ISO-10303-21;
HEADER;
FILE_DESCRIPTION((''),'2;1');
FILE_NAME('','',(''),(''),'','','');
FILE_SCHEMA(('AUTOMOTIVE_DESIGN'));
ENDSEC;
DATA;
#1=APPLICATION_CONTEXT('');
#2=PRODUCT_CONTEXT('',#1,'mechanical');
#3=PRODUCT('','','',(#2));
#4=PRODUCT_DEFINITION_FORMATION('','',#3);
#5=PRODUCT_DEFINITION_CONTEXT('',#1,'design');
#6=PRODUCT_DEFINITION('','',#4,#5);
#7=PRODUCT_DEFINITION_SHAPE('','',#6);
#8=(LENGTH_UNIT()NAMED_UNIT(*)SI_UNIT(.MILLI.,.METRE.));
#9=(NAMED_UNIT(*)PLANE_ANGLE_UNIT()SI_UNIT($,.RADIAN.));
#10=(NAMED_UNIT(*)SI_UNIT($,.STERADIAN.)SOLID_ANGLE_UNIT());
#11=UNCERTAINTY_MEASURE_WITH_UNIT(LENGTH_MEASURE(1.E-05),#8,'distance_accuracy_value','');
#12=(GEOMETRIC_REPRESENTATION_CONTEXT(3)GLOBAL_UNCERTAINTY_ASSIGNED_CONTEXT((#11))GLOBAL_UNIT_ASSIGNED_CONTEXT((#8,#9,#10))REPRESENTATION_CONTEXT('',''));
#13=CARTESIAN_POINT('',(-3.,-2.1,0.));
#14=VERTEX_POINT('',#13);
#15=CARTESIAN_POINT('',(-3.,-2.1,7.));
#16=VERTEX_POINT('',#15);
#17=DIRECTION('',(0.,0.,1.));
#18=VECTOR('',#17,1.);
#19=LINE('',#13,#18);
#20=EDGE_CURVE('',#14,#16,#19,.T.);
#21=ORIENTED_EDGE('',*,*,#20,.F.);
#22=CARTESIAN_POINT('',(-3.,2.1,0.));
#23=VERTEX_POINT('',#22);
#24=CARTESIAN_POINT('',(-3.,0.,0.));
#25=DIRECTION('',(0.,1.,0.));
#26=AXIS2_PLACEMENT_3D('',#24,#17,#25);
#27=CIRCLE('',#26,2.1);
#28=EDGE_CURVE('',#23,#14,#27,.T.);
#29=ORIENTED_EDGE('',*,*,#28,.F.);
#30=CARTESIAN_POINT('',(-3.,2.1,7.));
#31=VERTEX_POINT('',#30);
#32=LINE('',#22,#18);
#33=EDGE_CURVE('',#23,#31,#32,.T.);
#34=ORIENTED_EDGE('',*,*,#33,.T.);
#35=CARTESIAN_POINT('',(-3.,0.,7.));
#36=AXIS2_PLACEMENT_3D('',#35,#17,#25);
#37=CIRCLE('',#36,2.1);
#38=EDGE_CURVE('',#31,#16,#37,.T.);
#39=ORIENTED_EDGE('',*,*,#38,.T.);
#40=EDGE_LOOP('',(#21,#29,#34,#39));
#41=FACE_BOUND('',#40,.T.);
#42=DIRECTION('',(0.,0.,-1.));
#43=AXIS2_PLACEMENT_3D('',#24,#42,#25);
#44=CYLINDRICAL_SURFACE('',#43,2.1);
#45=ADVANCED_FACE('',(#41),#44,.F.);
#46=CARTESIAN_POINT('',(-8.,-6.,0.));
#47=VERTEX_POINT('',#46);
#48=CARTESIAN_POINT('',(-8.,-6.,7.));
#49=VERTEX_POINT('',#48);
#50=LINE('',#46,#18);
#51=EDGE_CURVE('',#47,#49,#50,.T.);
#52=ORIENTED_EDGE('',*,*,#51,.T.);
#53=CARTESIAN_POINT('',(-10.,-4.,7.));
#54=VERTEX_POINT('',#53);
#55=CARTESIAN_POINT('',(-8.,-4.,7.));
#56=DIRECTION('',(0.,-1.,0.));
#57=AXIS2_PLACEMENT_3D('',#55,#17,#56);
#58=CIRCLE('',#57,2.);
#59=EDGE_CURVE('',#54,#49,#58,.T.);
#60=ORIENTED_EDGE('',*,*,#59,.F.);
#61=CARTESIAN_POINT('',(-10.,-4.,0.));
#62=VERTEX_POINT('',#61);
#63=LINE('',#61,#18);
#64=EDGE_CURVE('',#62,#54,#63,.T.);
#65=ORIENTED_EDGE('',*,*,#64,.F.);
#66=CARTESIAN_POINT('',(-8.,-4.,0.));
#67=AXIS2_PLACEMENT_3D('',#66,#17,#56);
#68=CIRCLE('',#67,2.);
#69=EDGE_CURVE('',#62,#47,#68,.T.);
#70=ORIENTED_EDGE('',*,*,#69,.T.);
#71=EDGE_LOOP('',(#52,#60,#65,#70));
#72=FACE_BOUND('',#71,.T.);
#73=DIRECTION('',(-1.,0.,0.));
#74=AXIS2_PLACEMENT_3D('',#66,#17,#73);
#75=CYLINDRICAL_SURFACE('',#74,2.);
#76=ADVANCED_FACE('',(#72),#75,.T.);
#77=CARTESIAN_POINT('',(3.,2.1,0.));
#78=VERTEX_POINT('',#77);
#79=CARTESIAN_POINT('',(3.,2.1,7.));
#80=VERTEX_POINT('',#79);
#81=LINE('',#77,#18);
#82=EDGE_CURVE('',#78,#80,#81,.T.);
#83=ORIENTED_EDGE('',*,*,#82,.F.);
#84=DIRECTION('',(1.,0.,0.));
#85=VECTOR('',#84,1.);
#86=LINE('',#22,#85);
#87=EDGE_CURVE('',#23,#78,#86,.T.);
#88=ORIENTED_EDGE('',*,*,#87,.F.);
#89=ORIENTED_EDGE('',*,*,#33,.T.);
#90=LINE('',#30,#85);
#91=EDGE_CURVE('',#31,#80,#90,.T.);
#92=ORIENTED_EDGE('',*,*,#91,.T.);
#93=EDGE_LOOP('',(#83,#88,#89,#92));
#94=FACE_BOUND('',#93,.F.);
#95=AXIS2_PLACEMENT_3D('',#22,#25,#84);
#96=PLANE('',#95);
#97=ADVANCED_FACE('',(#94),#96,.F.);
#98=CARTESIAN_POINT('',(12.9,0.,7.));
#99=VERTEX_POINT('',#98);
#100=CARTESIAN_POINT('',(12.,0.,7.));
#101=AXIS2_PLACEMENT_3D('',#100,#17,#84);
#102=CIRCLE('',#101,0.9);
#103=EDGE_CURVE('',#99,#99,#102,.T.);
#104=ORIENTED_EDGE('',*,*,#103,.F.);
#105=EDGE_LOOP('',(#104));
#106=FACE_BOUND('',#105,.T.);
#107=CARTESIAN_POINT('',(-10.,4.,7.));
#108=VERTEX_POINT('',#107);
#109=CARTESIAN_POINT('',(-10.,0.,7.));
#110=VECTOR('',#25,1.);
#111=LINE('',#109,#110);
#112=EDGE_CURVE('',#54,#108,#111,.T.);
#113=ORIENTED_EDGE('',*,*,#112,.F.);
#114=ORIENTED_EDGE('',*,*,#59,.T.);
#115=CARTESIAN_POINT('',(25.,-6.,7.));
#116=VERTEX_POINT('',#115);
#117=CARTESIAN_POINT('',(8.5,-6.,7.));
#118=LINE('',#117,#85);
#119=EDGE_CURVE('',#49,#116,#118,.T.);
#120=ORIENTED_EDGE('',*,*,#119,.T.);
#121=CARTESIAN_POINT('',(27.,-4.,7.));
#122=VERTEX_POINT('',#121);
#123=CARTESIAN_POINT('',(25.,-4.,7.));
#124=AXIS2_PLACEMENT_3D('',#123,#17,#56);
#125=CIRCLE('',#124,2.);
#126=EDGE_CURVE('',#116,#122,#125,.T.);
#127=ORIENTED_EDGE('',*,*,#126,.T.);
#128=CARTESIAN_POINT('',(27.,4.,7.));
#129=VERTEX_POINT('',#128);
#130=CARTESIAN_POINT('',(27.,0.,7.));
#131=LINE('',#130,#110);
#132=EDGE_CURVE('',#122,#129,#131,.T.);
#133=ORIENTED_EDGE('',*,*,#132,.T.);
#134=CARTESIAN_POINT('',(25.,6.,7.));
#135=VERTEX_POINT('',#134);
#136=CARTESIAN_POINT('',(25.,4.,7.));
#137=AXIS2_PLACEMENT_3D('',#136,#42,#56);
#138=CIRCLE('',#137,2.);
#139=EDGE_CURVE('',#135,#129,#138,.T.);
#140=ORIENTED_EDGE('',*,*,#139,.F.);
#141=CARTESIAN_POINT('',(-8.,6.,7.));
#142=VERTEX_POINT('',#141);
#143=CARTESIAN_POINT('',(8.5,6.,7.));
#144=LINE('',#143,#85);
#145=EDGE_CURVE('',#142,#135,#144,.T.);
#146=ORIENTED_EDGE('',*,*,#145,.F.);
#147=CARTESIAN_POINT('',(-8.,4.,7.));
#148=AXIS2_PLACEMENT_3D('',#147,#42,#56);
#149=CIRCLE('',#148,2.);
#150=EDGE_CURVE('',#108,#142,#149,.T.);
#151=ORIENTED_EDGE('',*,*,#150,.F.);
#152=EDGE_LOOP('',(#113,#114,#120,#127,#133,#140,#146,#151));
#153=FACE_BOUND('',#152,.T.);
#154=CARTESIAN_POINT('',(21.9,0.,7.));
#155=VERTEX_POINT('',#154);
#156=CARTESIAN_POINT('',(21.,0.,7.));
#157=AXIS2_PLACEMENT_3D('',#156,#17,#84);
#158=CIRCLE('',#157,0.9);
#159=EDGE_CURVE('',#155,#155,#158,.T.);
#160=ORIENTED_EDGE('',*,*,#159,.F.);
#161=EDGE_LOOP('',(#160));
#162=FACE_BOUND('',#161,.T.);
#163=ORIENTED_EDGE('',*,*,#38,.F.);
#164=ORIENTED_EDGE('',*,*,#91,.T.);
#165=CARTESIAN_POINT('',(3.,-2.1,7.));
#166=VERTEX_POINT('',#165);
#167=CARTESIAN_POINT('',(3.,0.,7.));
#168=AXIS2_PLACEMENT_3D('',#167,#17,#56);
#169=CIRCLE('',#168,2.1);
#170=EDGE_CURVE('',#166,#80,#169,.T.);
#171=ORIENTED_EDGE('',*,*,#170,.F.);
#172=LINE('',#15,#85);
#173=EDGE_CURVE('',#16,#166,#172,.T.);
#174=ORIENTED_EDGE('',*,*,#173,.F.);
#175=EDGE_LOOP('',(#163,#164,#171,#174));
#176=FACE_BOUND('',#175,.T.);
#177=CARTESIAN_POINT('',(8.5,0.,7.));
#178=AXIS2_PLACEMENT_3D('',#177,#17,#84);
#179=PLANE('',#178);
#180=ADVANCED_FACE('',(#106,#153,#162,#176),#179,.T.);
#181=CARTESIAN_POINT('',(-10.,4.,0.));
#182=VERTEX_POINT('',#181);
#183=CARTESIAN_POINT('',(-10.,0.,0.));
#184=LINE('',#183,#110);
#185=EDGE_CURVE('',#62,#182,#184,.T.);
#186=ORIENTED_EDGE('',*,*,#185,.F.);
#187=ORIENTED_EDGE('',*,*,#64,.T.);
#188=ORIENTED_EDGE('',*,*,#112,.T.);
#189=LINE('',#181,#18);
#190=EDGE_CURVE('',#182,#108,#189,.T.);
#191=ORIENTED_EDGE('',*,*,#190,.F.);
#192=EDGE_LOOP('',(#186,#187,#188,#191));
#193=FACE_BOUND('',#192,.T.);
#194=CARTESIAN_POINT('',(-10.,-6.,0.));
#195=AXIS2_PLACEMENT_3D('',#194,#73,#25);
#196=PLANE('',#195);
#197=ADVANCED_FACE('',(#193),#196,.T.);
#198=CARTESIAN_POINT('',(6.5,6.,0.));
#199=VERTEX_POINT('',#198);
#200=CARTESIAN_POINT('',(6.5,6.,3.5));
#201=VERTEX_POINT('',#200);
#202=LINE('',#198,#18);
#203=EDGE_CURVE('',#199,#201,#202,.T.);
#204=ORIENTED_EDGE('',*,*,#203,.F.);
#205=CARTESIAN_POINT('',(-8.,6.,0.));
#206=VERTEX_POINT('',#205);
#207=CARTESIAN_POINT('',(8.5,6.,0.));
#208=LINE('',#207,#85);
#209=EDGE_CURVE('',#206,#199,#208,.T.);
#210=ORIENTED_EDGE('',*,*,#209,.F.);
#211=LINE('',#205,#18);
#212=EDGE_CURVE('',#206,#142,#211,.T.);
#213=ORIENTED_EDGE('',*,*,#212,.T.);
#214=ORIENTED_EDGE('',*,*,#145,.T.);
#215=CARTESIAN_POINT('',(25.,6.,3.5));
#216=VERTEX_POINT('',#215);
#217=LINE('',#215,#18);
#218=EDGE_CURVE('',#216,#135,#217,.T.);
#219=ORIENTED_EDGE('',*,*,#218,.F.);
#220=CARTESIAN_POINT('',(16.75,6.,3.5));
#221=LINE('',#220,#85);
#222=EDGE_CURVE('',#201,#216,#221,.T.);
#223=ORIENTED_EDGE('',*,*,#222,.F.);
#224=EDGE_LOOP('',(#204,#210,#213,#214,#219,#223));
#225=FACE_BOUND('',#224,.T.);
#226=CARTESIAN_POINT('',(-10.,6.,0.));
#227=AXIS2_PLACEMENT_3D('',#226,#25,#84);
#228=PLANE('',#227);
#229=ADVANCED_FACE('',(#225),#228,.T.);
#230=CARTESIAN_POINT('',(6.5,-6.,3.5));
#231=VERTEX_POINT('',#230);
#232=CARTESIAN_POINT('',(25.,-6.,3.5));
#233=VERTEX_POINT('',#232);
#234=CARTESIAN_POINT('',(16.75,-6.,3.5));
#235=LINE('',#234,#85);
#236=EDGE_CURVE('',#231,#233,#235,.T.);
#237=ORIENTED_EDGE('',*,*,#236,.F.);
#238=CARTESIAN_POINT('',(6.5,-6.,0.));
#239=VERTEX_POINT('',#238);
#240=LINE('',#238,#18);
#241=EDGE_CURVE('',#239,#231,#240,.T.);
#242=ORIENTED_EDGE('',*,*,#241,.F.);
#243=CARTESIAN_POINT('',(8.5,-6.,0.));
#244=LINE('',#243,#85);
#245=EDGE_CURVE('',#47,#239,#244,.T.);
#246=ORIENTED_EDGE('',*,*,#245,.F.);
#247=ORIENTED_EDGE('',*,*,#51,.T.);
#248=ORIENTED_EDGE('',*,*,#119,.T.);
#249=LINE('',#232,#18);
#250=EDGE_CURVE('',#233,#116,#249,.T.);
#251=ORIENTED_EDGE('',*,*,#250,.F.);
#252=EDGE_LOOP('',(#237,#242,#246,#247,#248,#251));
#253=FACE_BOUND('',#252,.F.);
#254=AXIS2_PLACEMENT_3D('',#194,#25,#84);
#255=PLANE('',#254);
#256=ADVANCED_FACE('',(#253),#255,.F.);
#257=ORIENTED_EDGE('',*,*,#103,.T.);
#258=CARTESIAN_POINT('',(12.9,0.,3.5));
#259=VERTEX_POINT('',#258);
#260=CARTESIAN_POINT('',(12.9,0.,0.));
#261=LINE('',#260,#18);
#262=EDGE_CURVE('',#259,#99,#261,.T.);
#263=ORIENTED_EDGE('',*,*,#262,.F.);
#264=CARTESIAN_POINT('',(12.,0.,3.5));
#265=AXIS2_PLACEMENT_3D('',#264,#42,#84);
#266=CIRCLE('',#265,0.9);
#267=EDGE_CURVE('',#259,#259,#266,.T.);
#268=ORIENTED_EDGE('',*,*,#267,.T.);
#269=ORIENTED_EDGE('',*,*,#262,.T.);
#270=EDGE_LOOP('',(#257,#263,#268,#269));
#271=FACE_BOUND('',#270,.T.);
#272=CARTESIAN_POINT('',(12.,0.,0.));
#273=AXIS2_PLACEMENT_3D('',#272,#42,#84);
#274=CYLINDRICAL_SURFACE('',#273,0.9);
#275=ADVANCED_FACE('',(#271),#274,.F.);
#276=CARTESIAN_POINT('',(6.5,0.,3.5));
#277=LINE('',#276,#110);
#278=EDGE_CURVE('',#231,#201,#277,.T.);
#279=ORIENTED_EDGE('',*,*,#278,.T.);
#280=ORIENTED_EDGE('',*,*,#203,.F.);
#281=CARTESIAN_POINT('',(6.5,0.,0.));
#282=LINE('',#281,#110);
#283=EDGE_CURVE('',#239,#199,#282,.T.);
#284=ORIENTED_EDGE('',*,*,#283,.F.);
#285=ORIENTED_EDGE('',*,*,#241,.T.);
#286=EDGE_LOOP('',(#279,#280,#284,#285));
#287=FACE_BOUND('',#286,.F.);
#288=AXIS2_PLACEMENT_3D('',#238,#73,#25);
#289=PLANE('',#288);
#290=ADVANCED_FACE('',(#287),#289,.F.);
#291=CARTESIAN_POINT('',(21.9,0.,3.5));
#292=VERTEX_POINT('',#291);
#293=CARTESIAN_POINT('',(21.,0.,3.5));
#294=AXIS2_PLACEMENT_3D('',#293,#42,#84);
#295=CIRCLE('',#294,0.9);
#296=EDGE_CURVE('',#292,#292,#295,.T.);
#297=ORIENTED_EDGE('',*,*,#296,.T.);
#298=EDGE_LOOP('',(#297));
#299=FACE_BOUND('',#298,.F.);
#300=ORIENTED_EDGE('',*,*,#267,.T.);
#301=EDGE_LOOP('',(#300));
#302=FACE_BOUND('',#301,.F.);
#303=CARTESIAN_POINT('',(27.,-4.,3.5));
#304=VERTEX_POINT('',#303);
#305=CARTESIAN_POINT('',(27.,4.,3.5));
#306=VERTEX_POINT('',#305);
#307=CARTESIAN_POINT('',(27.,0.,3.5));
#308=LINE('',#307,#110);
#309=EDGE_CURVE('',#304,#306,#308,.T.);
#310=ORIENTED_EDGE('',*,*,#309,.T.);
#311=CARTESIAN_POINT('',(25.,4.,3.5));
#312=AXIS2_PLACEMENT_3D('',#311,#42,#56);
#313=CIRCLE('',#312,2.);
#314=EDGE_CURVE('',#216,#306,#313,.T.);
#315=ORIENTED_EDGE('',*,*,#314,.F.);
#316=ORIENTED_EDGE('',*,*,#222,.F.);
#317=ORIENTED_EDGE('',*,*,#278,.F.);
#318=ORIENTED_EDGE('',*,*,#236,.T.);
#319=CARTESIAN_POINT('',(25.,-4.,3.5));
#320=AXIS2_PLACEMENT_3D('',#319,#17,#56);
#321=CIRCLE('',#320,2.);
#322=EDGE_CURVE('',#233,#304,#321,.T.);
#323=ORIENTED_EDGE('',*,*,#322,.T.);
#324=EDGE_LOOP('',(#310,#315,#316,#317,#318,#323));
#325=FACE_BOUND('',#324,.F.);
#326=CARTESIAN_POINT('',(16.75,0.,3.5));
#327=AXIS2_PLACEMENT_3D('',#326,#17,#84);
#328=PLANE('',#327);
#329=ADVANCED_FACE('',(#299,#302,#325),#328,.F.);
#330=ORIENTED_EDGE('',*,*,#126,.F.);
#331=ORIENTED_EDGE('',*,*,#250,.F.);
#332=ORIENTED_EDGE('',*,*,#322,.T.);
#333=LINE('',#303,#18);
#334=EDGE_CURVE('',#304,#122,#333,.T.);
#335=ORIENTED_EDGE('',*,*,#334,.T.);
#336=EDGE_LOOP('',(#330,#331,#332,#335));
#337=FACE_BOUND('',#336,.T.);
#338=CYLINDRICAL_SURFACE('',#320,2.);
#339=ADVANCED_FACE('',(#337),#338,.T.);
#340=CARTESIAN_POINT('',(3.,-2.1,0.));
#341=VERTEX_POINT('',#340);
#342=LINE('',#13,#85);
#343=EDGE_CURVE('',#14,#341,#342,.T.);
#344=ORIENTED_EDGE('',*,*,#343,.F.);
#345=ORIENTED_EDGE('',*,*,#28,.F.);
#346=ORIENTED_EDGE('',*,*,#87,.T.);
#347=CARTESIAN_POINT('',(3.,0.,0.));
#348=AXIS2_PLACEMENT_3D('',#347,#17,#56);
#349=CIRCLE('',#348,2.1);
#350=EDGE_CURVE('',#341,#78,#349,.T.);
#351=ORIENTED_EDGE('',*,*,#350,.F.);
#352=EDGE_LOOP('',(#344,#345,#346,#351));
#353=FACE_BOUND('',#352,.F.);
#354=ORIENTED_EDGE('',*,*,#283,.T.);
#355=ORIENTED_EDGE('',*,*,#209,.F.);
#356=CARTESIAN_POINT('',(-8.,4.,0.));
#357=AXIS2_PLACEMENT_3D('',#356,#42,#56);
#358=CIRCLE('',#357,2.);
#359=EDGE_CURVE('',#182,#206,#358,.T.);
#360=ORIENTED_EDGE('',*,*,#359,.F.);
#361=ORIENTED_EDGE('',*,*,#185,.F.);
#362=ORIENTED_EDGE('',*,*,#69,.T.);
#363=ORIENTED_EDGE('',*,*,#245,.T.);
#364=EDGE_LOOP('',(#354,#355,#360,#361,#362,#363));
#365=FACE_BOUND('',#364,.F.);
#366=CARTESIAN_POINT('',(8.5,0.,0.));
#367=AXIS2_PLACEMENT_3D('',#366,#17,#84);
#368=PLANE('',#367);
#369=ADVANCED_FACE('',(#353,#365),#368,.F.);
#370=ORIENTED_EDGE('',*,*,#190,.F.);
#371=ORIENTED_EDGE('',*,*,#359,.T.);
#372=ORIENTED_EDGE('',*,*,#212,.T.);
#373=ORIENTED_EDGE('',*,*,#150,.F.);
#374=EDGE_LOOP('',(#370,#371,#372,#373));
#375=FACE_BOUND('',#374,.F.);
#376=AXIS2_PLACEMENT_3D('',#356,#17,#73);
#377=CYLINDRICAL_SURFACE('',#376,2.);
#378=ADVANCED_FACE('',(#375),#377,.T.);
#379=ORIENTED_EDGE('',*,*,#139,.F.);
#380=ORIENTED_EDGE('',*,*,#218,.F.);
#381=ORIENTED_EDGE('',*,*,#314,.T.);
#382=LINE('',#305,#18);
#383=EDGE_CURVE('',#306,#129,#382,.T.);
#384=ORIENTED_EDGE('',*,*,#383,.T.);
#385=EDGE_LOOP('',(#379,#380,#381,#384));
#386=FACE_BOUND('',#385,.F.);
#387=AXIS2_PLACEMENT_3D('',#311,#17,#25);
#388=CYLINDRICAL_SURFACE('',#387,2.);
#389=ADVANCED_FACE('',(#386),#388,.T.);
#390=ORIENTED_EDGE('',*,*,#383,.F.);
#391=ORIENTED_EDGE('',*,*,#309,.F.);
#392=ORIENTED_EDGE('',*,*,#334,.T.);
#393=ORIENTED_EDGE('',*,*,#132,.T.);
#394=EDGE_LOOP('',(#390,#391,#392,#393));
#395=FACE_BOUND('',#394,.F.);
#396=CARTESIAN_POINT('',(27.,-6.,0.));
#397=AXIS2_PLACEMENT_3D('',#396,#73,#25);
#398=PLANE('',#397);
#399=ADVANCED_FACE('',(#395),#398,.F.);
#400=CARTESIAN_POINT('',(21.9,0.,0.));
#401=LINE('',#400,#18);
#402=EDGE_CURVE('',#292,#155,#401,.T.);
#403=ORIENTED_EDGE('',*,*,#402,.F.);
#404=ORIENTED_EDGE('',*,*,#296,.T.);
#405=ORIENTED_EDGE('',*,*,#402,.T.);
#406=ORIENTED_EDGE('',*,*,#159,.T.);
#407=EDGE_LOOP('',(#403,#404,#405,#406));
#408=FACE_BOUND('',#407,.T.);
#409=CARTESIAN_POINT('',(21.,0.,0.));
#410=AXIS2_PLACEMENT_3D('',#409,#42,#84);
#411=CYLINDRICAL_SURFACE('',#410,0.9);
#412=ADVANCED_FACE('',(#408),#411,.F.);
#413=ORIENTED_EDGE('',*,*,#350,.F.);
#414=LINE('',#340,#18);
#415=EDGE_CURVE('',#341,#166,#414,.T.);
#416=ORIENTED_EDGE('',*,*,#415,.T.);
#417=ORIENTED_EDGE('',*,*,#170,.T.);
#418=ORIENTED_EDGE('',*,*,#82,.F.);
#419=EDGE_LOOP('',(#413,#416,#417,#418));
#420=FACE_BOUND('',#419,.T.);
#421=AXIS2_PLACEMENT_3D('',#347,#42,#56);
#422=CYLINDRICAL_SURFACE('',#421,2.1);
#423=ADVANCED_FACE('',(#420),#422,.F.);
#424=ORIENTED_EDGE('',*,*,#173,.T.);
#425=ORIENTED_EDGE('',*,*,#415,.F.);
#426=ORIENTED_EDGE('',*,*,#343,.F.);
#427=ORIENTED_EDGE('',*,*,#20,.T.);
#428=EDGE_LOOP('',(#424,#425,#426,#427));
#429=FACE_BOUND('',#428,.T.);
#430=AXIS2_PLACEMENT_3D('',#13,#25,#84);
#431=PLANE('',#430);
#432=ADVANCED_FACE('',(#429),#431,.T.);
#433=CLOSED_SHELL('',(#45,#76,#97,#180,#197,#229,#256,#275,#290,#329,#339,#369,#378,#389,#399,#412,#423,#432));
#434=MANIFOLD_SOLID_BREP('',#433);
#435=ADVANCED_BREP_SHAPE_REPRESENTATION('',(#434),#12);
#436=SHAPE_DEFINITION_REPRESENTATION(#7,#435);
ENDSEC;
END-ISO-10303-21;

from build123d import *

# Parameters (mm, degrees)
SKETCH_W     = 37
SKETCH_H     = 12
SKETCH_R     = 0.9
PAD_DEPTH    = 7
SKETCH001_W  = 20.5
SKETCH001_H  = 12
POCKET_DEPTH = 3.5
FILLET_R     = 2


with BuildPart() as part:
    # Sketch → Pad (new body)
    with BuildSketch(Plane.XY):
        with Locations((8.5, 0)):
            Rectangle(SKETCH_W, SKETCH_H)
        with Locations((12, 0)):
            Circle(SKETCH_R, mode=Mode.SUBTRACT)
        with Locations((21, 0)):
            Circle(SKETCH_R, mode=Mode.SUBTRACT)
        with BuildLine():
            ThreePointArc((-3, 2.1), (-5.1, 0), (-3, -2.1))
            Line((-3, -2.1), (3, -2.1))
            ThreePointArc((3, -2.1), (5.1, 0), (3, 2.1))
            Line((-3, 2.1), (3, 2.1))
        make_face(mode=Mode.SUBTRACT)
    extrude(amount=PAD_DEPTH)

    # Sketch001 → Pocket (cut)
    with BuildSketch(Plane.XY):
        with Locations((16.75, 0)):
            Rectangle(SKETCH001_W, SKETCH001_H)
    extrude(amount=POCKET_DEPTH, mode=Mode.SUBTRACT)

    # Fillet
    fillet_edges = [part.edges().sort_by_distance(p)[0] for p in [
        (27, 6, 5.25),
        (27, -6, 5.25),
        (-10, -6, 3.5),
        (-10, 6, 3.5),
    ]]
    fillet(fillet_edges, radius=FILLET_R)


solid = part.part
